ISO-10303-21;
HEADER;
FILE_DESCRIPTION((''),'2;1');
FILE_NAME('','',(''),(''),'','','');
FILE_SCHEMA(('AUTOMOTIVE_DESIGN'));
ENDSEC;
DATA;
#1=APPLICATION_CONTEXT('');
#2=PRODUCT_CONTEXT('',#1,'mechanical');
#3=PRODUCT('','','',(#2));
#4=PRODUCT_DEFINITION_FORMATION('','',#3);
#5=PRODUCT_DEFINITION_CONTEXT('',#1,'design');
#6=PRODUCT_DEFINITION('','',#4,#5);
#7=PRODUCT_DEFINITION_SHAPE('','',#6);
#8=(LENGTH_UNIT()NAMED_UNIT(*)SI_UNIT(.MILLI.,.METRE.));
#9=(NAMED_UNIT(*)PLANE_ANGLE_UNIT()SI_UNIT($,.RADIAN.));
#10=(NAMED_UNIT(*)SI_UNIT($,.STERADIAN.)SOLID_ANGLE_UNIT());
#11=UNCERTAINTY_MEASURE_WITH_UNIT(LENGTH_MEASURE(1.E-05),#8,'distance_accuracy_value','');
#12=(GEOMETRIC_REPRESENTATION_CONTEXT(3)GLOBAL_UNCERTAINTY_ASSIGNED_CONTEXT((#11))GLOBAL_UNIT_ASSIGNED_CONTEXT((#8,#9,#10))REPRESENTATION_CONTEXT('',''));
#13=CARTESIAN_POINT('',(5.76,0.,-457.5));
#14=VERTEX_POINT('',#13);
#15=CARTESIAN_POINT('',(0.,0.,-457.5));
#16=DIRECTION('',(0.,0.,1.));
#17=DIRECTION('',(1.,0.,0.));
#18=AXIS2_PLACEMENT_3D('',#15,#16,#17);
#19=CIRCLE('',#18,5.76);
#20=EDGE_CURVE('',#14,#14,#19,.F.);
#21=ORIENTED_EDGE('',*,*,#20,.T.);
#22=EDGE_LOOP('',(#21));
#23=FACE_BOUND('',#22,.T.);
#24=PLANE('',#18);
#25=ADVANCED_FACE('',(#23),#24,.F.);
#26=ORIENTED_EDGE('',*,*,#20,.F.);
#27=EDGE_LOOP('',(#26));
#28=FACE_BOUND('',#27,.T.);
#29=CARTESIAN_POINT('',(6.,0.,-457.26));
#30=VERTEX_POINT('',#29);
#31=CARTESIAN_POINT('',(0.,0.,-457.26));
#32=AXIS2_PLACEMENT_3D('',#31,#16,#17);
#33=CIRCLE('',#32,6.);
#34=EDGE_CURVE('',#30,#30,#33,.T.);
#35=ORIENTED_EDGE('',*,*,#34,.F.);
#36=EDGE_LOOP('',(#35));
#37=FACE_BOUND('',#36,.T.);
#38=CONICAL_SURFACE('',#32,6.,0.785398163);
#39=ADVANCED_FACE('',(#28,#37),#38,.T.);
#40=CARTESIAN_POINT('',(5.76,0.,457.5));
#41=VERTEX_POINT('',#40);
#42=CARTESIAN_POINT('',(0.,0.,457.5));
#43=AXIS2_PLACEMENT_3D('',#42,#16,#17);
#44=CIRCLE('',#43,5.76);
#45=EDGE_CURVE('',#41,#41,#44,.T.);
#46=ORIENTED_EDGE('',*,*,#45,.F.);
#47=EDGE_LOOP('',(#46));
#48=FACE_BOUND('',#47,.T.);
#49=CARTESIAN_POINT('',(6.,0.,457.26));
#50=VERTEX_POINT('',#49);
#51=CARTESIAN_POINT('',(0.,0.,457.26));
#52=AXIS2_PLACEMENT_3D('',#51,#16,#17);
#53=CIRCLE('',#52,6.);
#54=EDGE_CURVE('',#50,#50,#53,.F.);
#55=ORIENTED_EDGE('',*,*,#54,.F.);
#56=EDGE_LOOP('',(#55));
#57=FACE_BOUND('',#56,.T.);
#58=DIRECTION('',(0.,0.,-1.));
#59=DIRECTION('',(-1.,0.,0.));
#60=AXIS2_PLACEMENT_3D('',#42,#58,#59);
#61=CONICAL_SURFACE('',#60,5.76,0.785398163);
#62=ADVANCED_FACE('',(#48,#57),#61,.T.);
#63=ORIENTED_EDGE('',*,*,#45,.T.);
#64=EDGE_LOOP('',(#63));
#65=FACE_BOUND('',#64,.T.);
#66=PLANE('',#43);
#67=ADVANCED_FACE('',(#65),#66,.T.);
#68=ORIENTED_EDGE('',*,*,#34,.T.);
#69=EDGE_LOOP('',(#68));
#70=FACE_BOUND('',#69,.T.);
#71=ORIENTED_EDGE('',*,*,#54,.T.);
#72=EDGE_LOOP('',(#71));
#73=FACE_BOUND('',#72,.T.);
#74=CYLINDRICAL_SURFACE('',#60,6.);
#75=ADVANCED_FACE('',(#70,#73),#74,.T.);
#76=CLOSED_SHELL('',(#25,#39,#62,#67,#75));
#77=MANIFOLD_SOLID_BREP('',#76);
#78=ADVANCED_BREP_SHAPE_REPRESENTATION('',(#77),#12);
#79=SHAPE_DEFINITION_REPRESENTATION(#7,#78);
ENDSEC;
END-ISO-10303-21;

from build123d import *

# Parameters (mm, degrees)
SKETCH3_R                = 6
BOSS_EXTRUDE1_DEPTH      = 457.5
BOSS_EXTRUDE1_DEPTH_BACK = 457.5
CHAMFER1_SIZE            = 0.24


with BuildPart() as part:
    # Sketch3 → Boss-Extrude1 (new body, two sides)
    with BuildSketch(Plane.XY) as boss_extrude1_sk:
        Circle(SKETCH3_R)
    extrude(amount=BOSS_EXTRUDE1_DEPTH)
    extrude(boss_extrude1_sk.sketch, amount=-BOSS_EXTRUDE1_DEPTH_BACK)

    # Chamfer1
    chamfer1_edges = [part.edges().sort_by_distance(p)[0] for p in [
        (-6, 0, -457.5),
        (-6, 0, 457.5),
    ]]
    chamfer(chamfer1_edges, length=CHAMFER1_SIZE)


solid = part.part
